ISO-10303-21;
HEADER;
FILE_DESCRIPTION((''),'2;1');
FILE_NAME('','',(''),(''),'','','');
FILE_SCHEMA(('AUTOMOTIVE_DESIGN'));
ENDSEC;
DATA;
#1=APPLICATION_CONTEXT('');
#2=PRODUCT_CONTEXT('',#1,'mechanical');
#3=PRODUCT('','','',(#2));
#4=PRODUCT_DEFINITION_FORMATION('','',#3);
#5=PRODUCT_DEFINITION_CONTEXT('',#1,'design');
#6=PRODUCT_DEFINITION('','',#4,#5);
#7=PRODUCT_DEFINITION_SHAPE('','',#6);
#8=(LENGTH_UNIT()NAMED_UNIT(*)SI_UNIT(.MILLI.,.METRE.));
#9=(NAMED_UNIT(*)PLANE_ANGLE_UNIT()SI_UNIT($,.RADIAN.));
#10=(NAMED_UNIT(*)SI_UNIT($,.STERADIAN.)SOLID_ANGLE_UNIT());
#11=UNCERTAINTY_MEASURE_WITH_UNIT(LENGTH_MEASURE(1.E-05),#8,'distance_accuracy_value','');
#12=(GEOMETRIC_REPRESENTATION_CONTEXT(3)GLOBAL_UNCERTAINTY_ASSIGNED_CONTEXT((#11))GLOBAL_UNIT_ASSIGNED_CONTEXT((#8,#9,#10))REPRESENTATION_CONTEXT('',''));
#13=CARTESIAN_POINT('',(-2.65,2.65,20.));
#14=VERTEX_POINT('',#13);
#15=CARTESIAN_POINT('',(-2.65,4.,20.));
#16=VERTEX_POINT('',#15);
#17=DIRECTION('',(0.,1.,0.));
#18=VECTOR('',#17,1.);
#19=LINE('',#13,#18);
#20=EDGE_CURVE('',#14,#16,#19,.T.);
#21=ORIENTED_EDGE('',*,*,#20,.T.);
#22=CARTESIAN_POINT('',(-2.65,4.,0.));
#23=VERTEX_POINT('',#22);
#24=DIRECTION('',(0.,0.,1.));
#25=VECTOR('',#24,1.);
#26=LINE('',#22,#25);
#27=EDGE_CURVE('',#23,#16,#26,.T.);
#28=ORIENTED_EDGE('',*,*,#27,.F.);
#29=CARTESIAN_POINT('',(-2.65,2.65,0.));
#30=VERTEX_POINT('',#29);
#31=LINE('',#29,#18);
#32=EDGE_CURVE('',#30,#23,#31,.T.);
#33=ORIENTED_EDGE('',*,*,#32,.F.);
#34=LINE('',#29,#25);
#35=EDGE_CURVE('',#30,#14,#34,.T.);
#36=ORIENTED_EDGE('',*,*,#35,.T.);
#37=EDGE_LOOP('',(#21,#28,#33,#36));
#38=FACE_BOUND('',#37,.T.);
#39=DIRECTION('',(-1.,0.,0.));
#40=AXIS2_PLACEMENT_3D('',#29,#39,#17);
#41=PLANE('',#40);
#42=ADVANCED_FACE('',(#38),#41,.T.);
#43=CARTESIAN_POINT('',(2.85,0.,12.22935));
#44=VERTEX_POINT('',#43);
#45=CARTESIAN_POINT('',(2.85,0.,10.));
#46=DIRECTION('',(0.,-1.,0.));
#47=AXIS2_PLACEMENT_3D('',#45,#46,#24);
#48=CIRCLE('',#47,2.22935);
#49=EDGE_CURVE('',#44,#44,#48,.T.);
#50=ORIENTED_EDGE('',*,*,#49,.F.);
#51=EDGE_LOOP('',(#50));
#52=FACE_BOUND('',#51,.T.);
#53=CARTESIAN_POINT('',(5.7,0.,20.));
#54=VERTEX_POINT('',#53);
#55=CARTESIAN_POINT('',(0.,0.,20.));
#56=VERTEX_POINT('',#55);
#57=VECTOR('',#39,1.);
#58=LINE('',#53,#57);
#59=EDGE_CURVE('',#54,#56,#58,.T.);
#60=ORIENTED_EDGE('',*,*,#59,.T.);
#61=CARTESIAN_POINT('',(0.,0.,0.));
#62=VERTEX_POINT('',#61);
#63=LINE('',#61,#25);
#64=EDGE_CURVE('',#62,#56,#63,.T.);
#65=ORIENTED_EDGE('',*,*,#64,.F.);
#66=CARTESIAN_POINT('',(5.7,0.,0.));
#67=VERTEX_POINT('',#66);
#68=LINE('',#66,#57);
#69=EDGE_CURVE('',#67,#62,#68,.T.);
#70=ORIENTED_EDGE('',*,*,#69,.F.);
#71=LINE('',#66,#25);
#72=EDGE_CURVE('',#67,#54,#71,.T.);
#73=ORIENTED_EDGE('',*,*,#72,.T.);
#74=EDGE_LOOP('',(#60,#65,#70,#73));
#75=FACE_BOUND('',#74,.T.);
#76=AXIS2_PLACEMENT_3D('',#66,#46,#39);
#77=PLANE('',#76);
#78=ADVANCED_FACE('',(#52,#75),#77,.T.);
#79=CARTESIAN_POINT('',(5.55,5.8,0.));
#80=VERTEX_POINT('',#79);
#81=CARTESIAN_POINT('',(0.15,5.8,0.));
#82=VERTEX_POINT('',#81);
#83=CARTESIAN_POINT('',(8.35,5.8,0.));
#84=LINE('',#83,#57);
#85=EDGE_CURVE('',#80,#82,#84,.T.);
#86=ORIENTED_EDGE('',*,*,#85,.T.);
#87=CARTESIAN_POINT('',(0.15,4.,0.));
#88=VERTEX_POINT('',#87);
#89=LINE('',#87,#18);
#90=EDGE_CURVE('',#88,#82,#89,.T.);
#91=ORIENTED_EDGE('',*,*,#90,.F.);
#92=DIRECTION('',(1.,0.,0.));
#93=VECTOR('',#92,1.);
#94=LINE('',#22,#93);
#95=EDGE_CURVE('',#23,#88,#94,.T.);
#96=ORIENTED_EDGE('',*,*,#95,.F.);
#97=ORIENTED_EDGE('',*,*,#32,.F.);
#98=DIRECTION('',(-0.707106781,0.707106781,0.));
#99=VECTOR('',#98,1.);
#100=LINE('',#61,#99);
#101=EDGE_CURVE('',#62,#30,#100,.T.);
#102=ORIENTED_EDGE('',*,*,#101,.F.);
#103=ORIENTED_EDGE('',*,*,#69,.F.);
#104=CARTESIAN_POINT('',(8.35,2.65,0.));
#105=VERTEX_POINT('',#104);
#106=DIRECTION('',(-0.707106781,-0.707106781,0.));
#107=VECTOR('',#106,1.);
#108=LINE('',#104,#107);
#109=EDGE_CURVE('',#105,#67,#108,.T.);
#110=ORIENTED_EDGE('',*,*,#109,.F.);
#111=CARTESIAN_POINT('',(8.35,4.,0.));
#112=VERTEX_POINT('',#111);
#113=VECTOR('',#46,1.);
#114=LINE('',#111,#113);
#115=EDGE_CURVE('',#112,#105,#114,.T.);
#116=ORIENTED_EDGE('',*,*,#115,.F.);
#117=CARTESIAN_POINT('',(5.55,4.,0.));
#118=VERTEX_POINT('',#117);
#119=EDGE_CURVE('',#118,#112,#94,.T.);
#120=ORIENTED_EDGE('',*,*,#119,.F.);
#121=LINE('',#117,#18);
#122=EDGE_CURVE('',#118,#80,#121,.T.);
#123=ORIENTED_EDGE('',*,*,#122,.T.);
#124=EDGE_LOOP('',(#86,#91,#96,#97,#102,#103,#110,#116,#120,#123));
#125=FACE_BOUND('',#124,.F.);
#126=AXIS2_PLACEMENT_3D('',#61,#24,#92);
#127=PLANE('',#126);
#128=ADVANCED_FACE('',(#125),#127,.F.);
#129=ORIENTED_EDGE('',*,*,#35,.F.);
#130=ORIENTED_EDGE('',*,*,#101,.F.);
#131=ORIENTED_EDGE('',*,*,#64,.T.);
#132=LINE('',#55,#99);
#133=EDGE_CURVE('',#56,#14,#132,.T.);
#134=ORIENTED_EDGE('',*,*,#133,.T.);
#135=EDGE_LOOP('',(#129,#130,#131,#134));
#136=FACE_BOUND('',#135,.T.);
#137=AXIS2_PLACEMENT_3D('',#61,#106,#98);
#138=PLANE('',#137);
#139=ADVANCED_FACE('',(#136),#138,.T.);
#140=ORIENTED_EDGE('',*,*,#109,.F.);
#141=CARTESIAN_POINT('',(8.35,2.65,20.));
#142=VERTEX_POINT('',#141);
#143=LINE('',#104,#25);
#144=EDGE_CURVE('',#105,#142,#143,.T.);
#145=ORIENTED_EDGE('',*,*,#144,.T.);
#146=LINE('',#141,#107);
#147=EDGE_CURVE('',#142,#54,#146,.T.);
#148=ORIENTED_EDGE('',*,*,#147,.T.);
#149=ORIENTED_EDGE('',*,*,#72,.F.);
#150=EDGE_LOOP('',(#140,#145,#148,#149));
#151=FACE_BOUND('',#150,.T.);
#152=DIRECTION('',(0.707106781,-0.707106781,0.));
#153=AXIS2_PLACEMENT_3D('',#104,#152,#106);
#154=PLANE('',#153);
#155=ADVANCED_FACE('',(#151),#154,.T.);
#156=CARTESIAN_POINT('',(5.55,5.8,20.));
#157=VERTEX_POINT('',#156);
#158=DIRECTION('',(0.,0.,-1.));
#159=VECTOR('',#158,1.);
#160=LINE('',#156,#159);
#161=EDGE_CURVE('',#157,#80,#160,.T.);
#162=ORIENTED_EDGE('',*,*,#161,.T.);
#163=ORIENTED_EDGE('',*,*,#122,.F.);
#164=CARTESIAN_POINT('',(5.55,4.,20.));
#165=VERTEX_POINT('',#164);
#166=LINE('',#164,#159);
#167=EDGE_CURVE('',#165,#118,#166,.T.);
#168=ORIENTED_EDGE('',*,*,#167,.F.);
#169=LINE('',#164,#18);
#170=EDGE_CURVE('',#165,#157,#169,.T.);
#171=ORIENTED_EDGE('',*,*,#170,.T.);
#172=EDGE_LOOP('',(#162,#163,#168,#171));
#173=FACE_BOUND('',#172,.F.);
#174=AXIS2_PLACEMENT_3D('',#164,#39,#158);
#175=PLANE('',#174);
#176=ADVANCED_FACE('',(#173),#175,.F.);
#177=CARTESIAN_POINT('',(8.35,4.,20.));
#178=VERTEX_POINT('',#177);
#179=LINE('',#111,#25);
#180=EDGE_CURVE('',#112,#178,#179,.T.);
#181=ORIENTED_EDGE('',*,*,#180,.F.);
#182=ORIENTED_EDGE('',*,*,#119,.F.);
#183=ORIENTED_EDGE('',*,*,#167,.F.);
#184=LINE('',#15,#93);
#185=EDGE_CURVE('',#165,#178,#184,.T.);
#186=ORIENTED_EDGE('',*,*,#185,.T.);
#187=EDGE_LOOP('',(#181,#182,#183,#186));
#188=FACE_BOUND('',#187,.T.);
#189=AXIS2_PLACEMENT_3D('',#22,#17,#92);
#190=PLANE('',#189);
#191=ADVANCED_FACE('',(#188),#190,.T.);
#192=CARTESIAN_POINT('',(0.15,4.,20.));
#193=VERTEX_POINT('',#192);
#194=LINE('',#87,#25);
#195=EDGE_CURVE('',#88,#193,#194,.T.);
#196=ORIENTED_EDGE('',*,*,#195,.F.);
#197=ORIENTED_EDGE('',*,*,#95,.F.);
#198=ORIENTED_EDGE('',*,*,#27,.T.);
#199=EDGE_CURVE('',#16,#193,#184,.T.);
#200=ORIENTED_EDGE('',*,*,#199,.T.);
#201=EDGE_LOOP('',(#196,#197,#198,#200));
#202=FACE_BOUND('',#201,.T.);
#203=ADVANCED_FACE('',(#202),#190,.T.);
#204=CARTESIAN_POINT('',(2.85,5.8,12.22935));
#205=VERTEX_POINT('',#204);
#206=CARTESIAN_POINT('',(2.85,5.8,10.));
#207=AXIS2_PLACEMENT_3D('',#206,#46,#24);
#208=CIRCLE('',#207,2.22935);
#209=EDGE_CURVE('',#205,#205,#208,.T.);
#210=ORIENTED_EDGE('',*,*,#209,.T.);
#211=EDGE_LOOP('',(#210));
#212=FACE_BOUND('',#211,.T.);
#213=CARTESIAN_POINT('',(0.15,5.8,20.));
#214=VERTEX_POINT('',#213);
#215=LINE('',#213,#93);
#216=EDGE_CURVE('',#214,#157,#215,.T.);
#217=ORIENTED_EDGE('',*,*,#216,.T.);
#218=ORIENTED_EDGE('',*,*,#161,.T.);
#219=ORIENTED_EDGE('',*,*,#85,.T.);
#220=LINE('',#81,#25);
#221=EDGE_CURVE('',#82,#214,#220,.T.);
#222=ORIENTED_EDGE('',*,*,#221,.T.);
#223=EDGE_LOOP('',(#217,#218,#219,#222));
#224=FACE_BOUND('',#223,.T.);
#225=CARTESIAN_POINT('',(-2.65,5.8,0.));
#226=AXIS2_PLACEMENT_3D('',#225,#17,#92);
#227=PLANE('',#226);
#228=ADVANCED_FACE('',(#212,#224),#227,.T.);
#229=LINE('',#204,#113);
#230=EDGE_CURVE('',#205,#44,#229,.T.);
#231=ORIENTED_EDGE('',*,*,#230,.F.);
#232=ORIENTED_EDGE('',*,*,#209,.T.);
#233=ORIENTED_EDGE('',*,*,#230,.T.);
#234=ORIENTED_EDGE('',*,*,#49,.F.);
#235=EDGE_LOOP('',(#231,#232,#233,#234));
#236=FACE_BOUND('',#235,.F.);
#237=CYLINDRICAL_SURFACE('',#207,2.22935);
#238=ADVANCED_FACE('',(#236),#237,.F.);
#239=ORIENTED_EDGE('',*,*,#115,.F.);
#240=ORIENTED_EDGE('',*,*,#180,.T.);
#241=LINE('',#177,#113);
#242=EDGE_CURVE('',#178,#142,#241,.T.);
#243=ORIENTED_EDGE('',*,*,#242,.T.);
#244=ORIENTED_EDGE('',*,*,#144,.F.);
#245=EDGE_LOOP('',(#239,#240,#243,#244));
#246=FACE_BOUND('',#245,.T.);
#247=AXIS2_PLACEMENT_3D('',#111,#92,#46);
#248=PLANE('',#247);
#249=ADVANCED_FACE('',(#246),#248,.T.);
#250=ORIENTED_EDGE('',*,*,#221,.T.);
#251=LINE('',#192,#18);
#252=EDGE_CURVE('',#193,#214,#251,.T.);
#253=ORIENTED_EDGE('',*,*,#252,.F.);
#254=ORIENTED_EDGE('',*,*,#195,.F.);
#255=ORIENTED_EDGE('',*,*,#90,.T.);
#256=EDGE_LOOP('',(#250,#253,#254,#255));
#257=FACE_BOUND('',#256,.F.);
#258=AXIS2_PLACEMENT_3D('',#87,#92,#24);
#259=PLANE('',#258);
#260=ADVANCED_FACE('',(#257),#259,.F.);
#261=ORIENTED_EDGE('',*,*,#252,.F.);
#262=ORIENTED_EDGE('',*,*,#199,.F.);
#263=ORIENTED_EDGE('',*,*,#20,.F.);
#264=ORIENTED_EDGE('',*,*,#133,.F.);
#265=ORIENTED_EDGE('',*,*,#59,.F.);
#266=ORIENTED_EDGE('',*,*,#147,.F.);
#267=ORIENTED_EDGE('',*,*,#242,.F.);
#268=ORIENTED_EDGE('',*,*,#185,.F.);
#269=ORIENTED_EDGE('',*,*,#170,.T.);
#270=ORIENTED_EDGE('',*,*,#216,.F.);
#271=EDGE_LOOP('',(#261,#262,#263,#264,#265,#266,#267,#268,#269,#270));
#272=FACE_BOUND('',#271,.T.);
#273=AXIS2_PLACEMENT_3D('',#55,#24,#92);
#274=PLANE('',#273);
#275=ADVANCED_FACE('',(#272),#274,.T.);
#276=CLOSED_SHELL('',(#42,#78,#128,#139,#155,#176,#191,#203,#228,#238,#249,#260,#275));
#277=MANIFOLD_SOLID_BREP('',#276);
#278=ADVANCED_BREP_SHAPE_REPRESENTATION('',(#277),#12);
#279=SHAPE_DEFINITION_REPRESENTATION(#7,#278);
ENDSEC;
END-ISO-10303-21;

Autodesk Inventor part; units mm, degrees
ref_plane "YZ Plane" through (0, 0, 0) normal (1, 0, 0) x (0, 1, 0)
ref_plane "XZ Plane" through (0, 0, 0) normal (0, 1, 0) x (-1, 0, 0)
ref_plane "XY Plane" through (0, 0, 0) normal (0, 0, 1) x (1, 0, 0)
sketch "Boceto1" plane through (0, 0, 0) normal (0, 0, 1) x (1, 0, 0)
  line L0 (0, 0) -> (-2.65, 2.65)
  line L1 (8.35, 2.65) -> (5.7, 0)
  line L2 (8.35, 4) -> (8.35, 2.65)
  line L3 (-2.65, 4) -> (8.35, 4)
  line L4 (-2.65, 2.65) -> (-2.65, 4)
  line L5 (5.7, 0) -> (0, 0)
  dimension "d1" = 11
  dimension "d2" = 5.7
  dimension "d5" = 2.65
  dimension "d6" = 2.65
  dimension "d7" = 4
  dimension "d9" = 45
  dimension "d10" = 45
extrude "Extrusión1" add sketch "Boceto1" along normal blind 20
sketch "Boceto3" plane through (-2.65, 4, 0) normal (0, 1, 0) x (1, 0, 0)
  line L0 (11, 0) -> (0, 0) projected
  line L1 (8.2, 0) -> (2.8, 0)
  line L2 (2.8, 0) -> (2.8, -20)
  line L3 (2.8, -20) -> (8.2, -20)
  line L4 (8.2, -20) -> (8.2, 0)
  line L5 (11, -20) -> (0, -20) projected
  line L6 (11, 0) -> (11, -20) projected
  line L7 (0, 0) -> (0, -20) projected
  point P0 (2.65, 0)
  point P1 (5.5, -20)
  point P2 (2.8, 0)
  dimension "d20" = 2.8
  dimension "d21" = 2.8
extrude "Extrusión2" add sketch "Boceto3" along normal blind 1.8 contours L4 L3 L2 L0
sketch "Boceto4" plane through (-2.65, 5.8, 0) normal (0, 1, 0) x (1, 0, 0)
  line L0 (8.2, 0) -> (2.8, 0) projected
  line L1 (5.5, 0) -> (5.5, -20)
  line L2 (2.8, -20) -> (8.2, -20) projected
  line L3 (2.8, 0) -> (2.8, -20) projected
  line L4 (2.8, -10) -> (5.5, -10)
  point P0 (2.65, 0)
hole "Agujero2" at (2.85, 5.8, 10) direction (0, -1, 0) diameter 4.4587 depth 10 thread size "M5x0.5" class "6H" standard "ANSI Metric M Profile"
properties part number "Pasador" material "Aluminio 6061"
